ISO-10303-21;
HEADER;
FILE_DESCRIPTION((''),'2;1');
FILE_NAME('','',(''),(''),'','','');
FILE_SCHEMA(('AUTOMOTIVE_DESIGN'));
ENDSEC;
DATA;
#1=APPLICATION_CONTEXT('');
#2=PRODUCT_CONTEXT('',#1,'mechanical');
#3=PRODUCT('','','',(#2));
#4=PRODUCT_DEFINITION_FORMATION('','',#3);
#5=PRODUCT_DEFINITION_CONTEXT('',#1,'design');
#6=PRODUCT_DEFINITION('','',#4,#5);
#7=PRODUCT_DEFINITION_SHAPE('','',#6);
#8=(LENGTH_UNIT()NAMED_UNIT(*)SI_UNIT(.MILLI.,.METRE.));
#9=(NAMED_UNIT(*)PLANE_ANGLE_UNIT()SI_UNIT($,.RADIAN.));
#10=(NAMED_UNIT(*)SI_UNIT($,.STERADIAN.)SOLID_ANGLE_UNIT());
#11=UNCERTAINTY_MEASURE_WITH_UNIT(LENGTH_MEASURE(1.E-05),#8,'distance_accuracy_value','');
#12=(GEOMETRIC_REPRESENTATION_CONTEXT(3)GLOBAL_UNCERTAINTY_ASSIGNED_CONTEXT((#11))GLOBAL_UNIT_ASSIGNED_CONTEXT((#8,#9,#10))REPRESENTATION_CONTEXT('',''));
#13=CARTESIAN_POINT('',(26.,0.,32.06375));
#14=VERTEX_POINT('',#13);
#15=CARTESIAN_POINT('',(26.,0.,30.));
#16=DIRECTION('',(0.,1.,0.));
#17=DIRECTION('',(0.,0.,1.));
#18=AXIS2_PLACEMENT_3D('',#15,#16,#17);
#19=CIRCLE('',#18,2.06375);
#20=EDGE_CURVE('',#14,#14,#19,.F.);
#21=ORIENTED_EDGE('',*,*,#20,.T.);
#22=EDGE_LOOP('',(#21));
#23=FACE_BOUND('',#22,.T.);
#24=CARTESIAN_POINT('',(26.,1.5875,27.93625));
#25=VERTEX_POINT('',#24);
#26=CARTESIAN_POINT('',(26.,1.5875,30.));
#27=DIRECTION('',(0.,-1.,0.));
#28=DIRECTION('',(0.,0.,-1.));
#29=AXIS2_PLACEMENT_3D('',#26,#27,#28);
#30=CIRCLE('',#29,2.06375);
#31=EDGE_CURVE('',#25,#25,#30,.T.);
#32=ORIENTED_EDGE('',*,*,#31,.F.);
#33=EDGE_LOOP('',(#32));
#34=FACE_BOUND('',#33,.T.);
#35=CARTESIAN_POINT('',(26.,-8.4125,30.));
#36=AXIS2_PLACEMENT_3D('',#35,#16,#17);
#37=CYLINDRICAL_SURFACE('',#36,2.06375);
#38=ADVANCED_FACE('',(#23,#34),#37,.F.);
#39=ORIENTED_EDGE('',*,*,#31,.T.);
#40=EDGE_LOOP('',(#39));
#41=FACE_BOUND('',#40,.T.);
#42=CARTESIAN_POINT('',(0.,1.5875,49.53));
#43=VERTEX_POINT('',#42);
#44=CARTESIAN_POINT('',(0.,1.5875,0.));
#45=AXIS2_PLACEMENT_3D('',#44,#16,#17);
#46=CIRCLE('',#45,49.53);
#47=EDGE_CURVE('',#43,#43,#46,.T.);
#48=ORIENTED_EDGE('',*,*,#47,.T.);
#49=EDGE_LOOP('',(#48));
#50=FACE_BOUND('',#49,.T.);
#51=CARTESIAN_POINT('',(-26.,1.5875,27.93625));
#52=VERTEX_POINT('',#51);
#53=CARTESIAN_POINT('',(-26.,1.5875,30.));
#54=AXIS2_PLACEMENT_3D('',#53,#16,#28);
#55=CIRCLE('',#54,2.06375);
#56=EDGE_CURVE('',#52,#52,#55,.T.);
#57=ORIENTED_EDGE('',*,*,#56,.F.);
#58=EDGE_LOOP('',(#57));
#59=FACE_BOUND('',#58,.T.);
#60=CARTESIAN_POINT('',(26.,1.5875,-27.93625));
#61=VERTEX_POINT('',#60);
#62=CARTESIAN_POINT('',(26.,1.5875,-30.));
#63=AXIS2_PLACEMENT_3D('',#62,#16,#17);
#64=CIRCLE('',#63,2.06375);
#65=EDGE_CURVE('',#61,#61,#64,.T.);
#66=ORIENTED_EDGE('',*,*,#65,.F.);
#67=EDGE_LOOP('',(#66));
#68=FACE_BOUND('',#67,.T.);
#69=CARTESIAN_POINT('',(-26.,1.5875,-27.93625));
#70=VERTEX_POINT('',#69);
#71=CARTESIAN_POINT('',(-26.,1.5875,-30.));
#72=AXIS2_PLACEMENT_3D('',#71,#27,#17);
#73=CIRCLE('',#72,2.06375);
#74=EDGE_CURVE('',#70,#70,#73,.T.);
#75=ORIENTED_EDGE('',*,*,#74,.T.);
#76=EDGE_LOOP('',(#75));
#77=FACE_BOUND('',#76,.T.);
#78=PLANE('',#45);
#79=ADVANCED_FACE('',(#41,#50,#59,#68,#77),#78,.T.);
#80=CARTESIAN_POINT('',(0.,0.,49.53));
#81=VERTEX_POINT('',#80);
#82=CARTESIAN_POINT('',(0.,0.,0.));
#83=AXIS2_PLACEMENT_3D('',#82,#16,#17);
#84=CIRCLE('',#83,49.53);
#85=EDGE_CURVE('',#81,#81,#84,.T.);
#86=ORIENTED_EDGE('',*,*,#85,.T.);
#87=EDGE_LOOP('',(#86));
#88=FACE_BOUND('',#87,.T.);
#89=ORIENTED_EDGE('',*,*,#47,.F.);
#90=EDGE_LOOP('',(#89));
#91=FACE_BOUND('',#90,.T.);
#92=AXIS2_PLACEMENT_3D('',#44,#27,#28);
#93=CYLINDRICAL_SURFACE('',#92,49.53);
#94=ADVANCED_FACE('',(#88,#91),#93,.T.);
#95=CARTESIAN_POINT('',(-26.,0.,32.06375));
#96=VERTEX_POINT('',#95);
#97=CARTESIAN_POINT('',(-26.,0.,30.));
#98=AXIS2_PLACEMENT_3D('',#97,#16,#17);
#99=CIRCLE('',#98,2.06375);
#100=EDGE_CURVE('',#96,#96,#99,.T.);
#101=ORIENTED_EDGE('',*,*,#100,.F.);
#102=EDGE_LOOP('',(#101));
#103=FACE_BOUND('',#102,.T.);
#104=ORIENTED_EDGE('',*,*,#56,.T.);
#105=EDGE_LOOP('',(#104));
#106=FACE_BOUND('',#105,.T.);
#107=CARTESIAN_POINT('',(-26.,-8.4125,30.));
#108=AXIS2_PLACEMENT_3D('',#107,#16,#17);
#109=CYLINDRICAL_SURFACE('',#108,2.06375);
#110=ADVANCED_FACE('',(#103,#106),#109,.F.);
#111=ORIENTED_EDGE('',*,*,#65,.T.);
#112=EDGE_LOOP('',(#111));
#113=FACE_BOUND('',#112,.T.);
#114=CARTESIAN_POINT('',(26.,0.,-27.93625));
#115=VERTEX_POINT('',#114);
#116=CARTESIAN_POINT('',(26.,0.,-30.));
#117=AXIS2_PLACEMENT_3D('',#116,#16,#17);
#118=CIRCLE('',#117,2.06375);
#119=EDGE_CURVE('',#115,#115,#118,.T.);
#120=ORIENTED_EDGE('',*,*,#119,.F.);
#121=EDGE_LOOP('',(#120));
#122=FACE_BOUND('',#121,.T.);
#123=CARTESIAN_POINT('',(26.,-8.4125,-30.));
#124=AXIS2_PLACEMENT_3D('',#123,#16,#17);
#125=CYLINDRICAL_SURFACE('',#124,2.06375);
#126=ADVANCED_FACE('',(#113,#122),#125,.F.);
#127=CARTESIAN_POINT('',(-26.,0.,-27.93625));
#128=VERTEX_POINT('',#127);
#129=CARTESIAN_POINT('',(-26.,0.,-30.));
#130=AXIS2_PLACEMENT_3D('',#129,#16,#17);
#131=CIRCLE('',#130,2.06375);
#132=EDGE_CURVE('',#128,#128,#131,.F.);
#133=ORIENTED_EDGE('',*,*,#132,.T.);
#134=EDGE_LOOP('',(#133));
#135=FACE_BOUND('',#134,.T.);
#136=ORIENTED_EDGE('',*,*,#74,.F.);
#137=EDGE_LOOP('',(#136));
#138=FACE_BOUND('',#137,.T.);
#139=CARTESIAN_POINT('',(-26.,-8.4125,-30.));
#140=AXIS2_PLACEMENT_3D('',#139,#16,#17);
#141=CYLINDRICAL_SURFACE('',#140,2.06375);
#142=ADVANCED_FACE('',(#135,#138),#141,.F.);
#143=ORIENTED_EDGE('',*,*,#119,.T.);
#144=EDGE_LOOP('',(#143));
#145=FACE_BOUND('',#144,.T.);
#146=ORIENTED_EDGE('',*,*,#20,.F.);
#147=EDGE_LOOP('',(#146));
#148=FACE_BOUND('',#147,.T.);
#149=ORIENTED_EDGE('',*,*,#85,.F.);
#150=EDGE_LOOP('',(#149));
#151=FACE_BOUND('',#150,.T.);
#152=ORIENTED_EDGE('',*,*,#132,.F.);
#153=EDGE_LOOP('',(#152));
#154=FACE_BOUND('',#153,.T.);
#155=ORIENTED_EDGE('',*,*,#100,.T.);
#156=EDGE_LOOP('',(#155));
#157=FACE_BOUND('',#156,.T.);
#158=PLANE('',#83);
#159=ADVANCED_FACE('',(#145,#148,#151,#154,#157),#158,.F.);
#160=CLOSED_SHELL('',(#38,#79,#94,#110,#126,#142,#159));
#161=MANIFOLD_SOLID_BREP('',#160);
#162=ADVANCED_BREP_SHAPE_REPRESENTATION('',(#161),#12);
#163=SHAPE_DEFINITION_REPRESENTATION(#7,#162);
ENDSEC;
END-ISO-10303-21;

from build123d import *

# Parameters (mm, degrees)
SKETCH1_R               = 49.53
EXTRUDE1_DEPTH          = 1.5875
SKETCH2_R               = 2.06375
EXTRUDE2_DEPTH          = 10
MIRROR3_COPY_1_SKETCH_R = 2.06375
MIRROR3_COPY_1_DEPTH    = 10


with BuildPart() as part:
    # Sketch1 → Extrude1 (new body)
    with BuildSketch(Plane(origin=(0, 0, 0), x_dir=(1, 0, 0), z_dir=(0, 1, 0))):
        with Locations(Location((0, 0, 0), (0, 0, 270))):
            Circle(SKETCH1_R)
    extrude(amount=EXTRUDE1_DEPTH)

    # Sketch2 → Extrude2 (cut)
    with BuildSketch(Plane(origin=(0, 1.5875, 0), x_dir=(-1, 0, 0), z_dir=(0, 1, 0))):
        with Locations(Location((-26, -30, 0), (0, 0, 90))):
            Circle(SKETCH2_R)
    extrude2 = extrude(amount=-EXTRUDE2_DEPTH, mode=Mode.SUBTRACT)

    # Mirror1: Extrude2 across plane
    add(extrude2.mirror(Plane(origin=(0, 0, 0), x_dir=(0, 0, 1), z_dir=(1, 0, 0))), mode=Mode.SUBTRACT)

    # Mirror3: Extrude2 across plane
    add(extrude2.mirror(Plane.XY), mode=Mode.SUBTRACT)

    # Mirror3 copy 1 sketch → Mirror3 copy 1 (cut)
    with BuildSketch(Plane(origin=(0, 1.5875, 0), x_dir=(1, 0, 0), z_dir=(0, 1, 0))):
        with Locations(Location((-26, -30, 0), (0, 0, 90))):
            Circle(MIRROR3_COPY_1_SKETCH_R)
    extrude(amount=-MIRROR3_COPY_1_DEPTH, mode=Mode.SUBTRACT)


solid = part.part
